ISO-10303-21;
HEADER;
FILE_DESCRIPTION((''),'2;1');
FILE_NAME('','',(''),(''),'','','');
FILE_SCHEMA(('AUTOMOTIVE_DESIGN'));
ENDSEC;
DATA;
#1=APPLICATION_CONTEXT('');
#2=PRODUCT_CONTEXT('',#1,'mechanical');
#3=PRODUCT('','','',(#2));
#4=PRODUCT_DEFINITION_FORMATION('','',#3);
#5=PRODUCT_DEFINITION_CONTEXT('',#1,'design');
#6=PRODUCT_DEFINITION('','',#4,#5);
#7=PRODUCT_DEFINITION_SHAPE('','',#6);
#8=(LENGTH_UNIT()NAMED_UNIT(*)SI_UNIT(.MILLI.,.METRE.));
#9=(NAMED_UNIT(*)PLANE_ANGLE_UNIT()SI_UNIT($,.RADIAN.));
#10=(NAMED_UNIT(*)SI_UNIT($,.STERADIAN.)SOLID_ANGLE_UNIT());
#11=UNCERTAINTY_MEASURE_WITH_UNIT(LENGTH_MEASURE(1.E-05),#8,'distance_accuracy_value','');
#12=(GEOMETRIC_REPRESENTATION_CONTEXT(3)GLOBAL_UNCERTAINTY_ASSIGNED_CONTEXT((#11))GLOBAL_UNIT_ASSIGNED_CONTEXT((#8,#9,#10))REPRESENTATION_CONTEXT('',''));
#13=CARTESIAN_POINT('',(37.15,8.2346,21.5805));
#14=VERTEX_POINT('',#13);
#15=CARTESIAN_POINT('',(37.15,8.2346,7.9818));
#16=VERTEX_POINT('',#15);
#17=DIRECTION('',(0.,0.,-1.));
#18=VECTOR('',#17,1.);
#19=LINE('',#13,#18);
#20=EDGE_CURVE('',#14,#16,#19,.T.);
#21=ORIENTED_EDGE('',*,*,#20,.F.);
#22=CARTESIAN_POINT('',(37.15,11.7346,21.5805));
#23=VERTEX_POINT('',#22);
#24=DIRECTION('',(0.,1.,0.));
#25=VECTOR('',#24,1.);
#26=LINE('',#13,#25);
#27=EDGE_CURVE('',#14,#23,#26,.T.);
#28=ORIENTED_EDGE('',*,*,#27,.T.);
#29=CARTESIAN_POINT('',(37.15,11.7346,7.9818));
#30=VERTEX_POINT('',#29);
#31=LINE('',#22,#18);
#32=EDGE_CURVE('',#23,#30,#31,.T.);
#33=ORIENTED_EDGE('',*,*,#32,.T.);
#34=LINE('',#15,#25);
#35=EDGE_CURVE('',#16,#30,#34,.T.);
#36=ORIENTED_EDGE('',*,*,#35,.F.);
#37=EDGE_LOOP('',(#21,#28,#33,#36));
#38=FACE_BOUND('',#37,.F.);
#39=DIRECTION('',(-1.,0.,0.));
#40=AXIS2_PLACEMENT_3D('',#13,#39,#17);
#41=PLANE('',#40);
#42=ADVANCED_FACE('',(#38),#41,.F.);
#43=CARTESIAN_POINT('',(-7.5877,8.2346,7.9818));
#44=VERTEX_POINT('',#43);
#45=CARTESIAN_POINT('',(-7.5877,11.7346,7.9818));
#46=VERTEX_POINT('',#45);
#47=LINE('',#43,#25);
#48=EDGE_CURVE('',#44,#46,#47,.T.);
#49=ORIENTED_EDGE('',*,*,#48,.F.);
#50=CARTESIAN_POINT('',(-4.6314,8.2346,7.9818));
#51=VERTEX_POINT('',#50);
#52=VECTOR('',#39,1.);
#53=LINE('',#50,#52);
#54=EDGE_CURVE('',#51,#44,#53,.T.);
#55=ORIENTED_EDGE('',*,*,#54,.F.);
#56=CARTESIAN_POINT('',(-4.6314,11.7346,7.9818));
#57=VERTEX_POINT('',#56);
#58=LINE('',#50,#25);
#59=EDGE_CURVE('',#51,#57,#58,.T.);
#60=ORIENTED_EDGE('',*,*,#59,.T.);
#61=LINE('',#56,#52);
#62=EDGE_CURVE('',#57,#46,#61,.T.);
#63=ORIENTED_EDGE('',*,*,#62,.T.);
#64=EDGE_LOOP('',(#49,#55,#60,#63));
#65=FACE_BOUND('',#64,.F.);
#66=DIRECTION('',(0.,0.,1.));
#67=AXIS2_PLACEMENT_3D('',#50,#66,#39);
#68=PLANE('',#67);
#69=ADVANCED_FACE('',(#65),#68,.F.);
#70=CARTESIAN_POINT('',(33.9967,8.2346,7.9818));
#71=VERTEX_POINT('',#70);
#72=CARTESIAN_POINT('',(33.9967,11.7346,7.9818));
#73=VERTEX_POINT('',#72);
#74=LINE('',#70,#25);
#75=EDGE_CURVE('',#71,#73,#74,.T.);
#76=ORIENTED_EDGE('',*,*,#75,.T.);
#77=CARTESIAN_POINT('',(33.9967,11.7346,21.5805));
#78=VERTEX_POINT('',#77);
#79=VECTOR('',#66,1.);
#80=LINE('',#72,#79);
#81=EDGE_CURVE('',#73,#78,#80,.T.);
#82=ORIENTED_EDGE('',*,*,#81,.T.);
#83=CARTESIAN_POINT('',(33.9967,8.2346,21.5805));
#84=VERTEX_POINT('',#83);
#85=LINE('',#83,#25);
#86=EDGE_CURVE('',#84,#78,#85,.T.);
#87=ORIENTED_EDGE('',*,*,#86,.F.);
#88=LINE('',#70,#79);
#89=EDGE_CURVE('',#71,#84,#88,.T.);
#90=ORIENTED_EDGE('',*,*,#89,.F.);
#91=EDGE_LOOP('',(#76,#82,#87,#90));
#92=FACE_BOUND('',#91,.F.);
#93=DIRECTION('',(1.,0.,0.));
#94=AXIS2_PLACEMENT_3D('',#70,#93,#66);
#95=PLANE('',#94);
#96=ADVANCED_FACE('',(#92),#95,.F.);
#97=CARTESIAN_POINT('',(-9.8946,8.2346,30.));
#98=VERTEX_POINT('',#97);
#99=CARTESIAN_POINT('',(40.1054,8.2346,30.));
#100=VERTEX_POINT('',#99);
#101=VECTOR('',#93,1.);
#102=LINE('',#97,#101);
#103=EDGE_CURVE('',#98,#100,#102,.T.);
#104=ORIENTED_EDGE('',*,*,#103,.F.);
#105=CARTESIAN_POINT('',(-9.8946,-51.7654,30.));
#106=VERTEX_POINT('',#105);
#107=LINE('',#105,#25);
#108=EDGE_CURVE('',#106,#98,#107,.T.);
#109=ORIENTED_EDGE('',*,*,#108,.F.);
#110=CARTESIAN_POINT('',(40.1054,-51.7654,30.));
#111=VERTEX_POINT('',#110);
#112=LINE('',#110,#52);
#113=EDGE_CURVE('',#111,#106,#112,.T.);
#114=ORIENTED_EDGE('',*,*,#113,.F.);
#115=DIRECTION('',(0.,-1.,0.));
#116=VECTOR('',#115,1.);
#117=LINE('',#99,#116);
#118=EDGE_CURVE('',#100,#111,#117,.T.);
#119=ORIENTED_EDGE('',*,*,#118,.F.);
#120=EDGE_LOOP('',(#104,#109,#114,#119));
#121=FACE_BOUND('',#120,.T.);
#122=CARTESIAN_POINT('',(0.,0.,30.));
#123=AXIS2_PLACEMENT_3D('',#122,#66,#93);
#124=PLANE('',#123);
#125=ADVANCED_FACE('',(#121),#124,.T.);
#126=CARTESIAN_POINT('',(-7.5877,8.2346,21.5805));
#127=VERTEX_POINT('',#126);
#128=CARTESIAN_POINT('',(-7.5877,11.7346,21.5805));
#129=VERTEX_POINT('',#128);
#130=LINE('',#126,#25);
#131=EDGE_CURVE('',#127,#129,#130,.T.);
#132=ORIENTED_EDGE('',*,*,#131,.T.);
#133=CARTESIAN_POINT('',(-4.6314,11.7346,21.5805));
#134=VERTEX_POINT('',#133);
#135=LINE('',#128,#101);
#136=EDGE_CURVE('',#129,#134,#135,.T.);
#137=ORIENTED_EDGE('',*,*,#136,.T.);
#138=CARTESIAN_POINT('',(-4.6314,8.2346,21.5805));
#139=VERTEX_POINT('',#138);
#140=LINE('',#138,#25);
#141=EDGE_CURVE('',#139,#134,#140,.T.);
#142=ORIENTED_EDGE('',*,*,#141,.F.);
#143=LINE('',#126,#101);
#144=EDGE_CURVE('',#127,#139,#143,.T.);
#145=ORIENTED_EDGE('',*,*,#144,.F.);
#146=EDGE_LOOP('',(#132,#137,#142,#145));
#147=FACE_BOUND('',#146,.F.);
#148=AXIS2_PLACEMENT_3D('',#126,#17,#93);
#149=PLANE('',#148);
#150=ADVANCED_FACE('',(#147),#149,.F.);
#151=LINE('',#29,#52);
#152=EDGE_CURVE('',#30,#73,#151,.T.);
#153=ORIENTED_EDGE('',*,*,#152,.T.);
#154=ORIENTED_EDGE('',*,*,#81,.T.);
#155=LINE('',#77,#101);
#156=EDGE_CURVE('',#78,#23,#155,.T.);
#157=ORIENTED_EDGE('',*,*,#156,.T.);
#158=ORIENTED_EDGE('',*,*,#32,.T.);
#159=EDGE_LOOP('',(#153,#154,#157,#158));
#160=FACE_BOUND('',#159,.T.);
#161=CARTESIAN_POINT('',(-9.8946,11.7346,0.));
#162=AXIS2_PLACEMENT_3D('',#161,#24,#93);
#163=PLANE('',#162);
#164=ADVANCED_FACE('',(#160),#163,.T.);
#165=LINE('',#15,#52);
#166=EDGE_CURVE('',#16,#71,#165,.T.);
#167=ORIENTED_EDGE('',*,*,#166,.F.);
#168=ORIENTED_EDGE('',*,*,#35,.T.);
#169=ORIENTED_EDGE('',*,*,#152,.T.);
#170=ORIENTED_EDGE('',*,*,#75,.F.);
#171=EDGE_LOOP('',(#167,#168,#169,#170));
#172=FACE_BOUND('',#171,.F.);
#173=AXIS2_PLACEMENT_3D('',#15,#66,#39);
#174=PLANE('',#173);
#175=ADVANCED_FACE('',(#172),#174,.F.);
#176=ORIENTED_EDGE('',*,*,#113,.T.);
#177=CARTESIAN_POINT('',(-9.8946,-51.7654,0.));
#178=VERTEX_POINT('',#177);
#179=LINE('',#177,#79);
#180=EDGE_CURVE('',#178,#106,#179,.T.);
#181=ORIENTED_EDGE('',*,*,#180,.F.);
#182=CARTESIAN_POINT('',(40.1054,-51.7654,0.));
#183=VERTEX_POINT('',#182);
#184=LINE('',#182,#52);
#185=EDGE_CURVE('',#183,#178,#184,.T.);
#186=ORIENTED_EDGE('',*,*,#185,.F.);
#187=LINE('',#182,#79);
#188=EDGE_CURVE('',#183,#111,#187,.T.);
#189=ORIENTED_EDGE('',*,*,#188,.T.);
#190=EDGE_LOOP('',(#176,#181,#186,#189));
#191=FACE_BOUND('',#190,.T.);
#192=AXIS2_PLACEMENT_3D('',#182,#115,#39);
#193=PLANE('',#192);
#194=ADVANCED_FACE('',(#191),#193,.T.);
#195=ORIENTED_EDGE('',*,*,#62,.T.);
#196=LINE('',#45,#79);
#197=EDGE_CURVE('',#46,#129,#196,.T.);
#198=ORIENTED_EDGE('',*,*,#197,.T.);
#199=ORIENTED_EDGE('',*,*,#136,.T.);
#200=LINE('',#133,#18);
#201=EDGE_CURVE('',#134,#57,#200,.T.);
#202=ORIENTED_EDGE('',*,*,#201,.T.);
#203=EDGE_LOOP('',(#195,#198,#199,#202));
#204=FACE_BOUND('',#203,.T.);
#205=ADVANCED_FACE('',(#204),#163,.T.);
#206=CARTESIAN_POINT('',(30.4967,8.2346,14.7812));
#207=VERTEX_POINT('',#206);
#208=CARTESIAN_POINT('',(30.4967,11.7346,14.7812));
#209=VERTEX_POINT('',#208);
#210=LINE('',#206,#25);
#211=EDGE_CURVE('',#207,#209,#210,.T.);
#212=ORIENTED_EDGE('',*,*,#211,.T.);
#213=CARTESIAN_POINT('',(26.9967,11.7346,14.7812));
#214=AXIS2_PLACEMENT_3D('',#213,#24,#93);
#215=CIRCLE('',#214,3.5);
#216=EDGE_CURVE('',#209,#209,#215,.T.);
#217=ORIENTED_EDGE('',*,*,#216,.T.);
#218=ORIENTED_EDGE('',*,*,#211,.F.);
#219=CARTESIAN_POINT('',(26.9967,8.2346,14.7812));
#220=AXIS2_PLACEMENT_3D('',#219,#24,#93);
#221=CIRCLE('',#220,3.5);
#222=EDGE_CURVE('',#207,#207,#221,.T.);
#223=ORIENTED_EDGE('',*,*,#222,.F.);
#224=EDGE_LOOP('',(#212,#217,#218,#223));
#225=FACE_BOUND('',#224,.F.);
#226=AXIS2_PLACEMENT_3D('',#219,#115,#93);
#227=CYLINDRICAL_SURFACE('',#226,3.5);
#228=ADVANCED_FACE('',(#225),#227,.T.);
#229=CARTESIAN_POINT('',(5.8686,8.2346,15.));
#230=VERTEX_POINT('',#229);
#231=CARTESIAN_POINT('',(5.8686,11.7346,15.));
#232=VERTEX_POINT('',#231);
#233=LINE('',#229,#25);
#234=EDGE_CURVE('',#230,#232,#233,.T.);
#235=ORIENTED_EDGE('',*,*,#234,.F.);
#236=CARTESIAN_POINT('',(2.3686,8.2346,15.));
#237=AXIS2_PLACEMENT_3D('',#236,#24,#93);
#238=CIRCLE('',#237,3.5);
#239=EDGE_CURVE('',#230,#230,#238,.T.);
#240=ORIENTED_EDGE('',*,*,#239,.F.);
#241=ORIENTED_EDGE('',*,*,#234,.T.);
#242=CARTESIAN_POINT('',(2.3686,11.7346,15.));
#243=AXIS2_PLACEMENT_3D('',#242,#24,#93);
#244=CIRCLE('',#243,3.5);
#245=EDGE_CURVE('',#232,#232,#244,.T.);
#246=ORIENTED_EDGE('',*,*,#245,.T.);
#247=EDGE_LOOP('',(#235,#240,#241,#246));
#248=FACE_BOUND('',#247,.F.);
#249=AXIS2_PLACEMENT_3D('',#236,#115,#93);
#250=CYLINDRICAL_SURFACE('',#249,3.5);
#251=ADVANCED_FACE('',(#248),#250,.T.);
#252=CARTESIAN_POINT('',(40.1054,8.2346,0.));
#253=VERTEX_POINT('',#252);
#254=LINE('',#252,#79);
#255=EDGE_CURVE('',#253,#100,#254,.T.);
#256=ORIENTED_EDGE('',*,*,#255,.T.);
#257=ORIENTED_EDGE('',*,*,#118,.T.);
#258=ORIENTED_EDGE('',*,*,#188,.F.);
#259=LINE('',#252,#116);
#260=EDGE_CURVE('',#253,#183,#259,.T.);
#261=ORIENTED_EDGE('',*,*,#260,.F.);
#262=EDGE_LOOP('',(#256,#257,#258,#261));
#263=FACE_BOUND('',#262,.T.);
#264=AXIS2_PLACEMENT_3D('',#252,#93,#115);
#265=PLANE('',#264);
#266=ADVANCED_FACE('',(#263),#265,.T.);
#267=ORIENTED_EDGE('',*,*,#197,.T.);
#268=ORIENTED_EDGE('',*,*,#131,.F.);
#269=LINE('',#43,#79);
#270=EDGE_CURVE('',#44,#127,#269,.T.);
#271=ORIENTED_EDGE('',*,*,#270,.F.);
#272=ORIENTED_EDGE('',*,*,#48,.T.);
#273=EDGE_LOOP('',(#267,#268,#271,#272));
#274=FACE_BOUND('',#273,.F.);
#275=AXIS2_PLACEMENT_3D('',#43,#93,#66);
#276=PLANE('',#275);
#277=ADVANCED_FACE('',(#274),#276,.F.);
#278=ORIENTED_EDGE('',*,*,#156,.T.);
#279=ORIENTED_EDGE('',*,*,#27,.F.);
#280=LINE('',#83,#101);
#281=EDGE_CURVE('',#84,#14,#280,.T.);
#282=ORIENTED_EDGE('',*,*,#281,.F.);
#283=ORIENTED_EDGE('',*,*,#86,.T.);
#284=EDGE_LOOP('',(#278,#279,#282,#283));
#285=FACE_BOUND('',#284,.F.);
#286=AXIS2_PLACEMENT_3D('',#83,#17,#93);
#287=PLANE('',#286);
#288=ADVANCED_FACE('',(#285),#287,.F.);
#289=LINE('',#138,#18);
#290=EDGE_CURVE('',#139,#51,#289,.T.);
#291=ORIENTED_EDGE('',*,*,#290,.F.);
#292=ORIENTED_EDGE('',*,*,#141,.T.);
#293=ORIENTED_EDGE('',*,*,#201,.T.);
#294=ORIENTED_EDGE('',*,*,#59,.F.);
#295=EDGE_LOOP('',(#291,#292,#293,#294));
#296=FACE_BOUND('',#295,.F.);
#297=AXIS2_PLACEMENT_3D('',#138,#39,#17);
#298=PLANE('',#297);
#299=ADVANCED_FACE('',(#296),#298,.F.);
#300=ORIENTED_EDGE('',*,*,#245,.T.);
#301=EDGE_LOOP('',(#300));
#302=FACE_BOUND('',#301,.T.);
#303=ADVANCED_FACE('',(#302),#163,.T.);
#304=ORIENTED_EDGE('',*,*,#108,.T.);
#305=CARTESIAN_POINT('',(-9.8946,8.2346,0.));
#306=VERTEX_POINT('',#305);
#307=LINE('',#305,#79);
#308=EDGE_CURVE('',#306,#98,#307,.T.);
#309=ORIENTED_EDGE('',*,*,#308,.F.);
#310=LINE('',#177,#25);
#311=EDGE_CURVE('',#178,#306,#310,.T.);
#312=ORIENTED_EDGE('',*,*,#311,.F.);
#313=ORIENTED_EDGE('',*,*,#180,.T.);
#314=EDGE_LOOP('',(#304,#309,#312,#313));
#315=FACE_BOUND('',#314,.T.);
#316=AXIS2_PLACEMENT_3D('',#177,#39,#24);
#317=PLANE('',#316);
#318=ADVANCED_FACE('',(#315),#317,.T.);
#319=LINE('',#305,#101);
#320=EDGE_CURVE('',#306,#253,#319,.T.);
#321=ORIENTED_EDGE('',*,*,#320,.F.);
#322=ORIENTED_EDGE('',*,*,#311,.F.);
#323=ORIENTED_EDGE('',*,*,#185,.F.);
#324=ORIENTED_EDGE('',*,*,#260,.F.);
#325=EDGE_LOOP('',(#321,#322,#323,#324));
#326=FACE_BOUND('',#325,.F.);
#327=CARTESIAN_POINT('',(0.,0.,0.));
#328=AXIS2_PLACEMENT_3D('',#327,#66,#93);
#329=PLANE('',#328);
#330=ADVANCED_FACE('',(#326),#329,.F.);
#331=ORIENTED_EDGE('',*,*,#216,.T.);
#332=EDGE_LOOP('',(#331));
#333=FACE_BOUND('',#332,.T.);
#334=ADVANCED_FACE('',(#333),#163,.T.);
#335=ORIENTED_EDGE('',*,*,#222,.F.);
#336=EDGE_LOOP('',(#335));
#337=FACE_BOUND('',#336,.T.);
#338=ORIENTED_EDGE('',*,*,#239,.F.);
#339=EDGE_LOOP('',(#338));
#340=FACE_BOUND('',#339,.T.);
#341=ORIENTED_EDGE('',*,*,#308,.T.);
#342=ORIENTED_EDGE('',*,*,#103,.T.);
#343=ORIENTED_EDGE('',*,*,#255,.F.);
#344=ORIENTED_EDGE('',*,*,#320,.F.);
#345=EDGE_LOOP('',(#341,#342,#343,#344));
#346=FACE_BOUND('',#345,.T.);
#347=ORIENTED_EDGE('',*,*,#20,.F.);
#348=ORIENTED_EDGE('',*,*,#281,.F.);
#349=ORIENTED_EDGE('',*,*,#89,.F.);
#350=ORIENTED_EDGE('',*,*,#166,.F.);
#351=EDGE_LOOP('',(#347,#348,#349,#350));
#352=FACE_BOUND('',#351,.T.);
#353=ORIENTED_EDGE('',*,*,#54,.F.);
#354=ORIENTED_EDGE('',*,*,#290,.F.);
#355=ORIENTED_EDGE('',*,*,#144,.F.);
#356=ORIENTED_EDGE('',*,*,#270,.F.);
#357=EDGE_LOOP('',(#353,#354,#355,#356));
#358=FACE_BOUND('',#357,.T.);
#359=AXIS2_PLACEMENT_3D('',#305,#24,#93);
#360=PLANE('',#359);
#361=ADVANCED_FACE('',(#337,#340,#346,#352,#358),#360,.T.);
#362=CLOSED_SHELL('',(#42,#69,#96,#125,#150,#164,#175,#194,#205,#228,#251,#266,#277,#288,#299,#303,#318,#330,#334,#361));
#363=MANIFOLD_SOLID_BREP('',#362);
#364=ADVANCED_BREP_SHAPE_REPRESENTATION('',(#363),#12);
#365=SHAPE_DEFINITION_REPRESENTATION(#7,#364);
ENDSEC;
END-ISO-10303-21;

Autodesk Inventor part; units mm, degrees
ref_plane "YZ Plane" through (0, 0, 0) normal (1, 0, 0) x (0, 1, 0)
ref_plane "XZ Plane" through (0, 0, 0) normal (0, 1, 0) x (-1, 0, 0)
ref_plane "XY Plane" through (0, 0, 0) normal (0, 0, 1) x (1, 0, 0)
sketch "Sketch1" plane through (0, 0, 0) normal (0, 0, 1) x (1, 0, 0)
  point P0 (0, 0)
sketch "Sketch2" plane through (0, 0, 0) normal (0, 0, 1) x (1, 0, 0)
  line L0 (-9.8946, 8.2346) -> (40.1054, 8.2346)
  line L1 (40.1054, 8.2346) -> (40.1054, -51.7654)
  line L2 (40.1054, -51.7654) -> (-9.8946, -51.7654)
  line L3 (-9.8946, -51.7654) -> (-9.8946, 8.2346)
  point P0 (0, 0)
  dimension "d0" = 50
  dimension "d1" = 60
extrude "Extrusion1" add sketch "Sketch2" along normal blind 30
sketch "Sketch3" plane through (-9.8946, 8.2346, 0) normal (0, 1, 0) x (1, 0, 0)
  line L0 (2.3069, -21.5805) -> (5.2632, -21.5805)
  line L1 (5.2632, -21.5805) -> (5.2632, -7.9818)
  line L2 (5.2632, -7.9818) -> (2.3069, -7.9818)
  line L3 (2.3069, -7.9818) -> (2.3069, -21.5805)
  line L4 (43.8913, -21.5805) -> (47.0446, -21.5805)
  line L5 (47.0446, -21.5805) -> (47.0446, -7.9818)
  line L6 (47.0446, -7.9818) -> (43.8913, -7.9818)
  line L7 (43.8913, -7.9818) -> (43.8913, -21.5805)
  point P0 (9.8946, 0)
extrude "Extrusion2" add sketch "Sketch3" along normal blind 3.5
sketch "Sketch4" plane through (-9.8946, 8.2346, 0) normal (0, 1, 0) x (1, 0, 0)
  circle A0 centre (12.2632, -15) radius 3.5
  line L0 (50, -30) -> (0, -30) projected
  circle A1 centre (36.8913, -14.7812) radius 3.5
  line L1 (5.2632, -21.5805) -> (5.2632, -7.9818) projected
  line L2 (43.8913, -7.9818) -> (43.8913, -21.5805) projected
  point P0 (9.8946, 0)
  point P1 (5.2632, -14.7812)
  point P2 (43.8913, -14.7812)
  dimension "d6" = 15
  dimension "d7" = 7
  dimension "d8" = 7
  dimension "d9" = 7
  dimension "d10" = 24.6281
  dimension "d11" = 7
extrude "Extrusion3" add sketch "Sketch4" along normal blind 3.5
properties part number "battery"
